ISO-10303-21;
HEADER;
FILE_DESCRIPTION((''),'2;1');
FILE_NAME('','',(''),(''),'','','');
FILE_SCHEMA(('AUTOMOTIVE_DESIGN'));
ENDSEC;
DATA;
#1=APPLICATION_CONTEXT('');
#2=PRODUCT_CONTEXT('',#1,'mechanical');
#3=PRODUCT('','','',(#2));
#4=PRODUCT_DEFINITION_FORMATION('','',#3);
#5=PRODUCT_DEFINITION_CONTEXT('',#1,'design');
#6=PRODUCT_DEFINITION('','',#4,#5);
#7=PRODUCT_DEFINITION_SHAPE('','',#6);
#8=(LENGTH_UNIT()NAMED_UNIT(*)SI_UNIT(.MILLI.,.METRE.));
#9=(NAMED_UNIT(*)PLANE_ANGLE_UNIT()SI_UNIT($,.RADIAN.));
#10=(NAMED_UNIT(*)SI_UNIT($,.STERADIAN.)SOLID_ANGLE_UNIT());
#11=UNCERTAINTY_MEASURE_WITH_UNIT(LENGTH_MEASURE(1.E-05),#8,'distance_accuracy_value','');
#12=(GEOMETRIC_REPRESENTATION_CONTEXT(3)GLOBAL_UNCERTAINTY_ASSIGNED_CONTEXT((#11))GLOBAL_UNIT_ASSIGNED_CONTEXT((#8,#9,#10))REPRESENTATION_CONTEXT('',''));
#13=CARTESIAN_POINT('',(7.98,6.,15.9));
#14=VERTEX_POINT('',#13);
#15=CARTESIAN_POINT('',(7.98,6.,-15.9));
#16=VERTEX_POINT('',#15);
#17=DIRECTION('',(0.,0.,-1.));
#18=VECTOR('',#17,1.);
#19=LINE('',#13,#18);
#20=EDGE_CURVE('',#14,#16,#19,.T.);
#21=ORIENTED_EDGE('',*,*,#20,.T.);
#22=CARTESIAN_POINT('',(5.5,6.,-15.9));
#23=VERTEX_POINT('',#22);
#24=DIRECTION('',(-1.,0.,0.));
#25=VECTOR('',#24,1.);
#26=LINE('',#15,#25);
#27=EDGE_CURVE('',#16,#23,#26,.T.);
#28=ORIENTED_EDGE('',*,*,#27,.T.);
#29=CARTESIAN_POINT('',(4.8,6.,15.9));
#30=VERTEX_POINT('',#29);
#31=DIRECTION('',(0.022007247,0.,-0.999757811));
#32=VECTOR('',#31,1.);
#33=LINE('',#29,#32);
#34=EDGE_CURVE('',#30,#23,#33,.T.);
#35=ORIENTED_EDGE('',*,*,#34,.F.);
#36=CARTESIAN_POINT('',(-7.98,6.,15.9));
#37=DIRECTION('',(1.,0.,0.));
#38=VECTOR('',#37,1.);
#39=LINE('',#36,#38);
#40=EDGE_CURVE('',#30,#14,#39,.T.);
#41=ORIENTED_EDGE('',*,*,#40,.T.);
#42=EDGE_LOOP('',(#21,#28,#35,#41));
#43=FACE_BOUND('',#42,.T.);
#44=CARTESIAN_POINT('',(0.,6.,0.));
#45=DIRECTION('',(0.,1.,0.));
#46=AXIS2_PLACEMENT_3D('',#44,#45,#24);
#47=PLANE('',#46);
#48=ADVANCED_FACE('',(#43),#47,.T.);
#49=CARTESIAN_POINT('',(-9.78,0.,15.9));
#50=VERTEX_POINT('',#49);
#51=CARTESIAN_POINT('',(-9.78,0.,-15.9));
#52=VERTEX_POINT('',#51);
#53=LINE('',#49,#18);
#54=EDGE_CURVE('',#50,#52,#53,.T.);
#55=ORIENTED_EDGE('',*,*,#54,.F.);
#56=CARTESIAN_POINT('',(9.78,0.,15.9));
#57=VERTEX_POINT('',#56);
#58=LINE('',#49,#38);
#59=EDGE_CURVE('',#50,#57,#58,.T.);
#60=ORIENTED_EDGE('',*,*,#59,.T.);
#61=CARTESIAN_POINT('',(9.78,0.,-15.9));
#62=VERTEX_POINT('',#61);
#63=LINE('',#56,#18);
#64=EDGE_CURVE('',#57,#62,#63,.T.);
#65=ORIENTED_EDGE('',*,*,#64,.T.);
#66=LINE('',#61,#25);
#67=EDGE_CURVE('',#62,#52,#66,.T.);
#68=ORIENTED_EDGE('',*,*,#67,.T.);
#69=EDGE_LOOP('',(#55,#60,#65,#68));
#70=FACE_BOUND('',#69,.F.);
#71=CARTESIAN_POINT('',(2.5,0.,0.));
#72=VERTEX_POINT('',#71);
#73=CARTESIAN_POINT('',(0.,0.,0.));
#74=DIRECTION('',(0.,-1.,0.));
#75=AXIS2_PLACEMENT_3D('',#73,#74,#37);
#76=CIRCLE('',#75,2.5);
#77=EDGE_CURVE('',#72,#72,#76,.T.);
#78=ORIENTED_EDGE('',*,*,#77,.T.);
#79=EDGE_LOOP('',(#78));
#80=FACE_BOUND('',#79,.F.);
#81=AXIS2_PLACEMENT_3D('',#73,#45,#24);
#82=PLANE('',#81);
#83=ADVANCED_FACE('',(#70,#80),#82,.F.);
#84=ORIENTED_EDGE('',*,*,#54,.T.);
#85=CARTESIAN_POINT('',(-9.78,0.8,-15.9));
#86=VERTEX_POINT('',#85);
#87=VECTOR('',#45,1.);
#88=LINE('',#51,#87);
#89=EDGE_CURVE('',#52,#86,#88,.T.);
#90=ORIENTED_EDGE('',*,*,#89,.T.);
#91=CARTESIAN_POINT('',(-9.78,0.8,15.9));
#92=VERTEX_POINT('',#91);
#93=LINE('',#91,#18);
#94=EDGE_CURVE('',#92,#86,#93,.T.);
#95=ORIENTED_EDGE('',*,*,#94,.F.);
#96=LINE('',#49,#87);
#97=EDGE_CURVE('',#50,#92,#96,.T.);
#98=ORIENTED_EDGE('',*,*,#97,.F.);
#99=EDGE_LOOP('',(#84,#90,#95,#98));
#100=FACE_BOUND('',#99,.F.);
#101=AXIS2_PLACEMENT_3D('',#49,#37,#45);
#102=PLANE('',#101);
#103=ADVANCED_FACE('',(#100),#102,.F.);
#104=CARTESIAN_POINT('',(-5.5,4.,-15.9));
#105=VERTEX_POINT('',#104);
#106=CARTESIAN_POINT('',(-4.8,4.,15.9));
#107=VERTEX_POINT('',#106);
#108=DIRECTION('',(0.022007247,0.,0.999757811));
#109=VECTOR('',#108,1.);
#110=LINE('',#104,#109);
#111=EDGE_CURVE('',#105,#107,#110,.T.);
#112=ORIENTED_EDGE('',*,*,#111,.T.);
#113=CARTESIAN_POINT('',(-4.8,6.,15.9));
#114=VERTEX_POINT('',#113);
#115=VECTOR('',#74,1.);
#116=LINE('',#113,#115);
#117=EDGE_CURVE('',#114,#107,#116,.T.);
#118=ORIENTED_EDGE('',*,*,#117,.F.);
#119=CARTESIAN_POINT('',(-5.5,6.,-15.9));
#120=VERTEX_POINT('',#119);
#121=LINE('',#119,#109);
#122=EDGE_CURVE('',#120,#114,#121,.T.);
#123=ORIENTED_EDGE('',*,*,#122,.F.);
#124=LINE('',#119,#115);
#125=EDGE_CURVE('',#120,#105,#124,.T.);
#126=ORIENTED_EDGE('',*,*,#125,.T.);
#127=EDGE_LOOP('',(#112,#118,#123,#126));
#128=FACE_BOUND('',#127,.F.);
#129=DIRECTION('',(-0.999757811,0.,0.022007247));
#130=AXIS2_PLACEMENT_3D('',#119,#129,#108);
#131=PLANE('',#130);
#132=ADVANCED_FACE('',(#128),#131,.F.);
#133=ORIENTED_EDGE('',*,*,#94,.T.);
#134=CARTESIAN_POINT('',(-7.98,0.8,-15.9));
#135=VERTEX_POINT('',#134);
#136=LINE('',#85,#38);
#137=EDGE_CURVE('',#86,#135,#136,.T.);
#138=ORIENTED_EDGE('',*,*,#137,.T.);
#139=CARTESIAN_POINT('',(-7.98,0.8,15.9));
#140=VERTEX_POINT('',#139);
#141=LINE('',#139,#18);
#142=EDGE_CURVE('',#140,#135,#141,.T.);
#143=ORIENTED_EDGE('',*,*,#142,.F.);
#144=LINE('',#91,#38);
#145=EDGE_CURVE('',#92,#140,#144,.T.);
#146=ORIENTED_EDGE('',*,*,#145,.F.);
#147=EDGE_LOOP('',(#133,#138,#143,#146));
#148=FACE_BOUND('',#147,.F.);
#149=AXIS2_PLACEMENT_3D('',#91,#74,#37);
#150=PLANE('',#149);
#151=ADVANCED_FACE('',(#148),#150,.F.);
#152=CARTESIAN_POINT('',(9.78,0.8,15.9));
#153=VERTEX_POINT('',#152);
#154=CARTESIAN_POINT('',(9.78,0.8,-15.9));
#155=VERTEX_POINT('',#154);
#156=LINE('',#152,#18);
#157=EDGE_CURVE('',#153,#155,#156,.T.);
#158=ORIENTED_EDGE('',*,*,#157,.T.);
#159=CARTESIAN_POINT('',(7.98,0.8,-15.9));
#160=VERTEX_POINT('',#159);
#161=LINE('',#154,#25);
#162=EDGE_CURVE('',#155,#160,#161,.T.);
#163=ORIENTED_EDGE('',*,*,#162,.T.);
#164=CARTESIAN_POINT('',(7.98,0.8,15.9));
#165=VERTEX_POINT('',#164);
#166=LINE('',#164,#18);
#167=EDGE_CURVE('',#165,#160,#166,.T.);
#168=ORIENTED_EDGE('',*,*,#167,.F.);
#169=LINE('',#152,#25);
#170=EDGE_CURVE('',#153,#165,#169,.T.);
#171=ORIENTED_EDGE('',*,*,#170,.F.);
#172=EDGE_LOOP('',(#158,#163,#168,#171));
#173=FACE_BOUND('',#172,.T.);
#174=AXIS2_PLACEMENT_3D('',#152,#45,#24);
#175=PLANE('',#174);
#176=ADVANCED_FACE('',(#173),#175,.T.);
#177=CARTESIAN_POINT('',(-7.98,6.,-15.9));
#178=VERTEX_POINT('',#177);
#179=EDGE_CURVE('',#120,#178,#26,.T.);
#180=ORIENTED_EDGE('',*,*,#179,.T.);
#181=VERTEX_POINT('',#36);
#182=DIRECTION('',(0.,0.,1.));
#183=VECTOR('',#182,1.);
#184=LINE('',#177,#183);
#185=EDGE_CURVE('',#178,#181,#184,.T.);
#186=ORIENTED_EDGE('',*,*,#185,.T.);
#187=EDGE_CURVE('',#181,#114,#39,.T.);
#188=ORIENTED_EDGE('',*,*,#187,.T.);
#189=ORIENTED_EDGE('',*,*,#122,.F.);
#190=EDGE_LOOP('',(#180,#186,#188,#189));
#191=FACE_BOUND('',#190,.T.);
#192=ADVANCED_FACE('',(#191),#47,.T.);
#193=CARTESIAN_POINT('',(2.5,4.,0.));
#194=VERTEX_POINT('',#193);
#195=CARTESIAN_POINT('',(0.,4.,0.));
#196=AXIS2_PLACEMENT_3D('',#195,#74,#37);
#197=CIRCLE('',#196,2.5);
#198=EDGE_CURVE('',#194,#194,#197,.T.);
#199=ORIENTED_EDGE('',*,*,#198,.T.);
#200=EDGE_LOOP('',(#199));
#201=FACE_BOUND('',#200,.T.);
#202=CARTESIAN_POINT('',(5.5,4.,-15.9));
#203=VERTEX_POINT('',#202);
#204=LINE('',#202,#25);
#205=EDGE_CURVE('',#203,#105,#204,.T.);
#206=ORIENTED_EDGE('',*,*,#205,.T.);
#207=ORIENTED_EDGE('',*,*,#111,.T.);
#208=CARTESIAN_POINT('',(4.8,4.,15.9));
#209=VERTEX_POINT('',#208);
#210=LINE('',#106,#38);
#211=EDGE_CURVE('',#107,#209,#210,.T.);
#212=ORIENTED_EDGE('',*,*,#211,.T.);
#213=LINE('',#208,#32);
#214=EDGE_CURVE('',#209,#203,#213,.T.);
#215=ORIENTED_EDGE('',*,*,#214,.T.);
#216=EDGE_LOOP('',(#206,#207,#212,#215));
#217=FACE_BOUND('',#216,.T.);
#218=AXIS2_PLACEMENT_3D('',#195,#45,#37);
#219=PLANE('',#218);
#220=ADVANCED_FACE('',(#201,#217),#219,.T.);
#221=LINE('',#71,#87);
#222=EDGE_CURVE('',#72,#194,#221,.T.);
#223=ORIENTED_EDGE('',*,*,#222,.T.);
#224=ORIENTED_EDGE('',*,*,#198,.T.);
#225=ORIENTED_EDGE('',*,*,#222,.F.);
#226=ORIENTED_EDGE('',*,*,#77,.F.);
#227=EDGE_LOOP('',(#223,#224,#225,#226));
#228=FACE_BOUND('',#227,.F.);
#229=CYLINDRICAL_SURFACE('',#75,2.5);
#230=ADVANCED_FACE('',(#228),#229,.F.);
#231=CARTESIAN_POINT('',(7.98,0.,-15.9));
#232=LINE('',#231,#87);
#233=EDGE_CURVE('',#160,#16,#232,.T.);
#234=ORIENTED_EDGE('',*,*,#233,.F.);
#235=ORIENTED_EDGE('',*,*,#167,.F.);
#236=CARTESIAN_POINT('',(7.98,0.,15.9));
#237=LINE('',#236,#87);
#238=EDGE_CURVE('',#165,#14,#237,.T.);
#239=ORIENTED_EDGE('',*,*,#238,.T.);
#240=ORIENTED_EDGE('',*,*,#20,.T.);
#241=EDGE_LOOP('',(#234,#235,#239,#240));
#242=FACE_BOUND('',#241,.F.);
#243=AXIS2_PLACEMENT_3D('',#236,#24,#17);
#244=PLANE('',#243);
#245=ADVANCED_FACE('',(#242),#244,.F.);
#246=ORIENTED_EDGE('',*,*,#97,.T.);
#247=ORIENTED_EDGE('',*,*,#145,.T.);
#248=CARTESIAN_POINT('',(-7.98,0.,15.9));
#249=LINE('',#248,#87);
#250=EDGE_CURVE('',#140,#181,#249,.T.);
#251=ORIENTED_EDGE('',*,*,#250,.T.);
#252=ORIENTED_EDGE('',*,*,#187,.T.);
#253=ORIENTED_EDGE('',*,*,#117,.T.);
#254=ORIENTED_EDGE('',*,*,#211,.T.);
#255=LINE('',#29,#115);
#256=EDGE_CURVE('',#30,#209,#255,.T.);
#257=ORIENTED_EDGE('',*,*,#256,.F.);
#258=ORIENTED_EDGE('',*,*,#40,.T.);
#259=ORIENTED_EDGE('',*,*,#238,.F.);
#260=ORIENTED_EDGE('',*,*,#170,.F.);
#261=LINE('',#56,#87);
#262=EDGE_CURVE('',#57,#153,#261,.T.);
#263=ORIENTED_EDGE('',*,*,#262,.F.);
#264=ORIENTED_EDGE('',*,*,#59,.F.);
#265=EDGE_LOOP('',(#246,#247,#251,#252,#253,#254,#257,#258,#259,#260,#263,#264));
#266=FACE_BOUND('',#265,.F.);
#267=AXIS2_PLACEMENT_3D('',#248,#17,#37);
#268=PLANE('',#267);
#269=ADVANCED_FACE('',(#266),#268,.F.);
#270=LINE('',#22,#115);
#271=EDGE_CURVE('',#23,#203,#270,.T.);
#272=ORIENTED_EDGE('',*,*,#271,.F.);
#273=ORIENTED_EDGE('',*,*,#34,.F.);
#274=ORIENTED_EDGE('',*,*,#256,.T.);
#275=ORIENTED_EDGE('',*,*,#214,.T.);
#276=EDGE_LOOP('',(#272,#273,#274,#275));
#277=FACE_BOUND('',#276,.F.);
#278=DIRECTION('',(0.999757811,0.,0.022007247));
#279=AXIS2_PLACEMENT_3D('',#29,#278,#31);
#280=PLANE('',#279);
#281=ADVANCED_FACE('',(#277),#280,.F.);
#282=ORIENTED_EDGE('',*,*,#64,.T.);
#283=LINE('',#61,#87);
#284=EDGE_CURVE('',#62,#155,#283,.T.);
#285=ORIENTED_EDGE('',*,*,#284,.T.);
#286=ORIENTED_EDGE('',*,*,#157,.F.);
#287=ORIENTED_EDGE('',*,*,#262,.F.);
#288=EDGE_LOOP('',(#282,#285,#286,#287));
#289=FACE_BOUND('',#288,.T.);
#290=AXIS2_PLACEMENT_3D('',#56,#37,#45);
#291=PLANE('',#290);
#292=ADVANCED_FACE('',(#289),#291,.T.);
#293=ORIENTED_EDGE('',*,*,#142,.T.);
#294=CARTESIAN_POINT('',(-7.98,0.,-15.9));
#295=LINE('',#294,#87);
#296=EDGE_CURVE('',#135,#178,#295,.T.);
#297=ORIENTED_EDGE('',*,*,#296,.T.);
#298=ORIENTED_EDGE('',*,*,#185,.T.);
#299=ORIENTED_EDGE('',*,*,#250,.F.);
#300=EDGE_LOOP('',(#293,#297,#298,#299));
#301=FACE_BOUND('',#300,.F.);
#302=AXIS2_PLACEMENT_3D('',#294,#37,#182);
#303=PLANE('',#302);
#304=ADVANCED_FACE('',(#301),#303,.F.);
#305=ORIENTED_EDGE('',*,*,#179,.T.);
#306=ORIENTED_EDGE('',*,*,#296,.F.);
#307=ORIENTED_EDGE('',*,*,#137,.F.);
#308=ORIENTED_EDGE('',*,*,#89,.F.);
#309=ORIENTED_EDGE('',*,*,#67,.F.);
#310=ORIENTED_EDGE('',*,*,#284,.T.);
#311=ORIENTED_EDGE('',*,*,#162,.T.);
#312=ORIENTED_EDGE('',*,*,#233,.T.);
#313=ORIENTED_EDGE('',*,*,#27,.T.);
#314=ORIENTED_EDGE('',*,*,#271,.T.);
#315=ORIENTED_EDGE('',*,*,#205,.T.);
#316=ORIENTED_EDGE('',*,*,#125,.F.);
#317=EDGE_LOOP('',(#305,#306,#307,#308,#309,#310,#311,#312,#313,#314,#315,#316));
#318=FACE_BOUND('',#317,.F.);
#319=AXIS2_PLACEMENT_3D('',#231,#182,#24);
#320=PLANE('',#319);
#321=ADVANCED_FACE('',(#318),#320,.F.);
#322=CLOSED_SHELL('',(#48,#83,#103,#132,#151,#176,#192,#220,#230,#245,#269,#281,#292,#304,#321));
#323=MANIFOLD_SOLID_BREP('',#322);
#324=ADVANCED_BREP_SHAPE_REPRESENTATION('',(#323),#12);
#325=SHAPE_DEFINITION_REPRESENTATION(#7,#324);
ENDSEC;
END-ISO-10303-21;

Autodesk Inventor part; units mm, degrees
ref_plane "YZ Plane" through (0, 0, 0) normal (1, 0, 0) x (0, 1, 0)
ref_plane "XZ Plane" through (0, 0, 0) normal (0, 1, 0) x (-1, 0, 0)
ref_plane "XY Plane" through (0, 0, 0) normal (0, 0, 1) x (1, 0, 0)
sketch "Sketch1" plane through (0, 0, 0) normal (0, 1, 0) x (-1, 0, 0)
  line L0 (7.98, 15.9) -> (-7.98, 15.9)
  line L1 (-7.98, 15.9) -> (-7.98, -15.9)
  line L2 (-7.98, -15.9) -> (7.98, -15.9)
  line L3 (7.98, -15.9) -> (7.98, 15.9)
  line L4 (7.98, 15.9) -> (-7.98, -15.9) construction
  line L5 (-7.98, 15.9) -> (7.98, -15.9) construction
  point P0 (0, 0)
  dimension "d0" = 31.8
  dimension "d1" = 15.96
extrude "adapter-arm" add sketch "Sketch1" along normal blind 6
sketch "fanslot" plane through (0, 6, 0) normal (0, 1, 0) x (1, 0, 0)
  line L0 (-4.8, -15.9) -> (4.8, -15.9)
  line L1 (4.8, -15.9) -> (5.5, 15.9)
  line L2 (5.5, 15.9) -> (-5.5, 15.9)
  line L3 (-5.5, 15.9) -> (-4.8, -15.9)
  line L4 (0, 16.157) -> (0, -15.9695) construction
  line L5 (-7.98, -15.9) -> (7.98, -15.9) construction
  line L6 (7.98, 15.9) -> (-7.98, 15.9) construction
  point P0 (0, 0)
  point P1 (0, -15.9)
  point P2 (0, 15.9)
  point P3 (-5.98, -15.9)
  point P4 (5.98, -15.9)
  point P5 (5.98, 15.9)
  point P6 (-5.98, 15.9)
  dimension "d21" = 11
  dimension "d22" = 9.6
extrude "Extrusion3" cut sketch "fanslot" against normal blind 2
sketch "Sketch5" plane through (0, 0, 0) normal (0, -1, 0) x (1, 0, 0)
  circle A0 centre (0, 0) radius 2.5
  dimension "d25" = 5
extrude "Extrusion4" cut sketch "Sketch5" against normal up to next
sketch "Sketch6" plane through (-7.98, 0, 15.9) normal (0, 0, 1) x (1, 0, 0)
  line L0 (15.96, 0) -> (17.76, 0)
  line L1 (17.76, 0) -> (17.76, 0.8)
  line L2 (17.76, 0.8) -> (15.96, 0.8)
  line L3 (15.96, 0.8) -> (15.96, 0)
  line L4 (0, 0) -> (-1.8, 0)
  line L5 (-1.8, 0) -> (-1.8, 0.8)
  line L6 (-1.8, 0.8) -> (0, 0.8)
  line L7 (0, 0.8) -> (0, 0)
  point P0 (7.98, 0)
  dimension "d28" = 1.8
  dimension "d29" = 0.8
  dimension "d30" = 1.8
  dimension "d31" = 0.8
extrude "Extrusion5" add sketch "Sketch6" against normal up to surface (31.8 mm away)
equation "\"d2\" = adapterwallthick"
equation "\"d21\" = fanhb"
equation "\"d22\" = fanhs"
equation "\"d23\" = adapterwallslotd"
equation "\"printer3dtolerance\" = 0.1"
equation "\"wallw\" = 42"
equation "\"wallh\" = 44"
equation "\"cornerrad\" = 2"
equation "\"baseextra\" = 2"
equation "\"wall1_thick\" = 8"
equation "\"wall2_thick\" = 6.4"
equation "\"wall3_thick\" = 4"
equation "\"wall1slot\" = 8.1"
equation "\"wall2slot\" = 6.5"
equation "\"wall3slot\" = 4.1"
equation "\"gap2\" = 28"
equation "\"baseh\" = 79"
equation "\"basew\" = 44"
equation "\"base_thick\" = 6"
equation "\"base_slots_depth\" = 4"
equation "\"servobigcircledia\" = 11.6"
equation "\"servosmallcircledia\" = 5.9"
equation "\"servo9gw\" = 22.8"
equation "\"servomounth\" = 4"
equation "\"servomountsquare\" = 4"
equation "\"servopolygonr\" = 6.1"
equation "\"servopolygonl\" = 5.9"
equation "\"distancefrombottom\" = 34"
equation "\"distancefromleft\" = 22"
equation "\"wall3slotd\" = 2"
equation "\"wall3slotw\" = 36"
equation "\"adapterh\" = 16"
equation "\"adapterw\" = 32"
equation "\"armw\" = 34"
equation "\"armslotd\" = 2"
equation "\"armthick\" = 3"
equation "\"fanhb\" = 11"
equation "\"fanhs\" = 9.6"
equation "\"adapterwallthick\" = 6"
equation "\"adapterwallslotd\" = 2"
equation "\"hornscrewheadd\" = 3"
equation "\"hornscrewholed\" = 2"
equation "\"hornthick\" = 1.5"
equation "\"armhornthick\" = 3"
properties part number "adapter-wall"
